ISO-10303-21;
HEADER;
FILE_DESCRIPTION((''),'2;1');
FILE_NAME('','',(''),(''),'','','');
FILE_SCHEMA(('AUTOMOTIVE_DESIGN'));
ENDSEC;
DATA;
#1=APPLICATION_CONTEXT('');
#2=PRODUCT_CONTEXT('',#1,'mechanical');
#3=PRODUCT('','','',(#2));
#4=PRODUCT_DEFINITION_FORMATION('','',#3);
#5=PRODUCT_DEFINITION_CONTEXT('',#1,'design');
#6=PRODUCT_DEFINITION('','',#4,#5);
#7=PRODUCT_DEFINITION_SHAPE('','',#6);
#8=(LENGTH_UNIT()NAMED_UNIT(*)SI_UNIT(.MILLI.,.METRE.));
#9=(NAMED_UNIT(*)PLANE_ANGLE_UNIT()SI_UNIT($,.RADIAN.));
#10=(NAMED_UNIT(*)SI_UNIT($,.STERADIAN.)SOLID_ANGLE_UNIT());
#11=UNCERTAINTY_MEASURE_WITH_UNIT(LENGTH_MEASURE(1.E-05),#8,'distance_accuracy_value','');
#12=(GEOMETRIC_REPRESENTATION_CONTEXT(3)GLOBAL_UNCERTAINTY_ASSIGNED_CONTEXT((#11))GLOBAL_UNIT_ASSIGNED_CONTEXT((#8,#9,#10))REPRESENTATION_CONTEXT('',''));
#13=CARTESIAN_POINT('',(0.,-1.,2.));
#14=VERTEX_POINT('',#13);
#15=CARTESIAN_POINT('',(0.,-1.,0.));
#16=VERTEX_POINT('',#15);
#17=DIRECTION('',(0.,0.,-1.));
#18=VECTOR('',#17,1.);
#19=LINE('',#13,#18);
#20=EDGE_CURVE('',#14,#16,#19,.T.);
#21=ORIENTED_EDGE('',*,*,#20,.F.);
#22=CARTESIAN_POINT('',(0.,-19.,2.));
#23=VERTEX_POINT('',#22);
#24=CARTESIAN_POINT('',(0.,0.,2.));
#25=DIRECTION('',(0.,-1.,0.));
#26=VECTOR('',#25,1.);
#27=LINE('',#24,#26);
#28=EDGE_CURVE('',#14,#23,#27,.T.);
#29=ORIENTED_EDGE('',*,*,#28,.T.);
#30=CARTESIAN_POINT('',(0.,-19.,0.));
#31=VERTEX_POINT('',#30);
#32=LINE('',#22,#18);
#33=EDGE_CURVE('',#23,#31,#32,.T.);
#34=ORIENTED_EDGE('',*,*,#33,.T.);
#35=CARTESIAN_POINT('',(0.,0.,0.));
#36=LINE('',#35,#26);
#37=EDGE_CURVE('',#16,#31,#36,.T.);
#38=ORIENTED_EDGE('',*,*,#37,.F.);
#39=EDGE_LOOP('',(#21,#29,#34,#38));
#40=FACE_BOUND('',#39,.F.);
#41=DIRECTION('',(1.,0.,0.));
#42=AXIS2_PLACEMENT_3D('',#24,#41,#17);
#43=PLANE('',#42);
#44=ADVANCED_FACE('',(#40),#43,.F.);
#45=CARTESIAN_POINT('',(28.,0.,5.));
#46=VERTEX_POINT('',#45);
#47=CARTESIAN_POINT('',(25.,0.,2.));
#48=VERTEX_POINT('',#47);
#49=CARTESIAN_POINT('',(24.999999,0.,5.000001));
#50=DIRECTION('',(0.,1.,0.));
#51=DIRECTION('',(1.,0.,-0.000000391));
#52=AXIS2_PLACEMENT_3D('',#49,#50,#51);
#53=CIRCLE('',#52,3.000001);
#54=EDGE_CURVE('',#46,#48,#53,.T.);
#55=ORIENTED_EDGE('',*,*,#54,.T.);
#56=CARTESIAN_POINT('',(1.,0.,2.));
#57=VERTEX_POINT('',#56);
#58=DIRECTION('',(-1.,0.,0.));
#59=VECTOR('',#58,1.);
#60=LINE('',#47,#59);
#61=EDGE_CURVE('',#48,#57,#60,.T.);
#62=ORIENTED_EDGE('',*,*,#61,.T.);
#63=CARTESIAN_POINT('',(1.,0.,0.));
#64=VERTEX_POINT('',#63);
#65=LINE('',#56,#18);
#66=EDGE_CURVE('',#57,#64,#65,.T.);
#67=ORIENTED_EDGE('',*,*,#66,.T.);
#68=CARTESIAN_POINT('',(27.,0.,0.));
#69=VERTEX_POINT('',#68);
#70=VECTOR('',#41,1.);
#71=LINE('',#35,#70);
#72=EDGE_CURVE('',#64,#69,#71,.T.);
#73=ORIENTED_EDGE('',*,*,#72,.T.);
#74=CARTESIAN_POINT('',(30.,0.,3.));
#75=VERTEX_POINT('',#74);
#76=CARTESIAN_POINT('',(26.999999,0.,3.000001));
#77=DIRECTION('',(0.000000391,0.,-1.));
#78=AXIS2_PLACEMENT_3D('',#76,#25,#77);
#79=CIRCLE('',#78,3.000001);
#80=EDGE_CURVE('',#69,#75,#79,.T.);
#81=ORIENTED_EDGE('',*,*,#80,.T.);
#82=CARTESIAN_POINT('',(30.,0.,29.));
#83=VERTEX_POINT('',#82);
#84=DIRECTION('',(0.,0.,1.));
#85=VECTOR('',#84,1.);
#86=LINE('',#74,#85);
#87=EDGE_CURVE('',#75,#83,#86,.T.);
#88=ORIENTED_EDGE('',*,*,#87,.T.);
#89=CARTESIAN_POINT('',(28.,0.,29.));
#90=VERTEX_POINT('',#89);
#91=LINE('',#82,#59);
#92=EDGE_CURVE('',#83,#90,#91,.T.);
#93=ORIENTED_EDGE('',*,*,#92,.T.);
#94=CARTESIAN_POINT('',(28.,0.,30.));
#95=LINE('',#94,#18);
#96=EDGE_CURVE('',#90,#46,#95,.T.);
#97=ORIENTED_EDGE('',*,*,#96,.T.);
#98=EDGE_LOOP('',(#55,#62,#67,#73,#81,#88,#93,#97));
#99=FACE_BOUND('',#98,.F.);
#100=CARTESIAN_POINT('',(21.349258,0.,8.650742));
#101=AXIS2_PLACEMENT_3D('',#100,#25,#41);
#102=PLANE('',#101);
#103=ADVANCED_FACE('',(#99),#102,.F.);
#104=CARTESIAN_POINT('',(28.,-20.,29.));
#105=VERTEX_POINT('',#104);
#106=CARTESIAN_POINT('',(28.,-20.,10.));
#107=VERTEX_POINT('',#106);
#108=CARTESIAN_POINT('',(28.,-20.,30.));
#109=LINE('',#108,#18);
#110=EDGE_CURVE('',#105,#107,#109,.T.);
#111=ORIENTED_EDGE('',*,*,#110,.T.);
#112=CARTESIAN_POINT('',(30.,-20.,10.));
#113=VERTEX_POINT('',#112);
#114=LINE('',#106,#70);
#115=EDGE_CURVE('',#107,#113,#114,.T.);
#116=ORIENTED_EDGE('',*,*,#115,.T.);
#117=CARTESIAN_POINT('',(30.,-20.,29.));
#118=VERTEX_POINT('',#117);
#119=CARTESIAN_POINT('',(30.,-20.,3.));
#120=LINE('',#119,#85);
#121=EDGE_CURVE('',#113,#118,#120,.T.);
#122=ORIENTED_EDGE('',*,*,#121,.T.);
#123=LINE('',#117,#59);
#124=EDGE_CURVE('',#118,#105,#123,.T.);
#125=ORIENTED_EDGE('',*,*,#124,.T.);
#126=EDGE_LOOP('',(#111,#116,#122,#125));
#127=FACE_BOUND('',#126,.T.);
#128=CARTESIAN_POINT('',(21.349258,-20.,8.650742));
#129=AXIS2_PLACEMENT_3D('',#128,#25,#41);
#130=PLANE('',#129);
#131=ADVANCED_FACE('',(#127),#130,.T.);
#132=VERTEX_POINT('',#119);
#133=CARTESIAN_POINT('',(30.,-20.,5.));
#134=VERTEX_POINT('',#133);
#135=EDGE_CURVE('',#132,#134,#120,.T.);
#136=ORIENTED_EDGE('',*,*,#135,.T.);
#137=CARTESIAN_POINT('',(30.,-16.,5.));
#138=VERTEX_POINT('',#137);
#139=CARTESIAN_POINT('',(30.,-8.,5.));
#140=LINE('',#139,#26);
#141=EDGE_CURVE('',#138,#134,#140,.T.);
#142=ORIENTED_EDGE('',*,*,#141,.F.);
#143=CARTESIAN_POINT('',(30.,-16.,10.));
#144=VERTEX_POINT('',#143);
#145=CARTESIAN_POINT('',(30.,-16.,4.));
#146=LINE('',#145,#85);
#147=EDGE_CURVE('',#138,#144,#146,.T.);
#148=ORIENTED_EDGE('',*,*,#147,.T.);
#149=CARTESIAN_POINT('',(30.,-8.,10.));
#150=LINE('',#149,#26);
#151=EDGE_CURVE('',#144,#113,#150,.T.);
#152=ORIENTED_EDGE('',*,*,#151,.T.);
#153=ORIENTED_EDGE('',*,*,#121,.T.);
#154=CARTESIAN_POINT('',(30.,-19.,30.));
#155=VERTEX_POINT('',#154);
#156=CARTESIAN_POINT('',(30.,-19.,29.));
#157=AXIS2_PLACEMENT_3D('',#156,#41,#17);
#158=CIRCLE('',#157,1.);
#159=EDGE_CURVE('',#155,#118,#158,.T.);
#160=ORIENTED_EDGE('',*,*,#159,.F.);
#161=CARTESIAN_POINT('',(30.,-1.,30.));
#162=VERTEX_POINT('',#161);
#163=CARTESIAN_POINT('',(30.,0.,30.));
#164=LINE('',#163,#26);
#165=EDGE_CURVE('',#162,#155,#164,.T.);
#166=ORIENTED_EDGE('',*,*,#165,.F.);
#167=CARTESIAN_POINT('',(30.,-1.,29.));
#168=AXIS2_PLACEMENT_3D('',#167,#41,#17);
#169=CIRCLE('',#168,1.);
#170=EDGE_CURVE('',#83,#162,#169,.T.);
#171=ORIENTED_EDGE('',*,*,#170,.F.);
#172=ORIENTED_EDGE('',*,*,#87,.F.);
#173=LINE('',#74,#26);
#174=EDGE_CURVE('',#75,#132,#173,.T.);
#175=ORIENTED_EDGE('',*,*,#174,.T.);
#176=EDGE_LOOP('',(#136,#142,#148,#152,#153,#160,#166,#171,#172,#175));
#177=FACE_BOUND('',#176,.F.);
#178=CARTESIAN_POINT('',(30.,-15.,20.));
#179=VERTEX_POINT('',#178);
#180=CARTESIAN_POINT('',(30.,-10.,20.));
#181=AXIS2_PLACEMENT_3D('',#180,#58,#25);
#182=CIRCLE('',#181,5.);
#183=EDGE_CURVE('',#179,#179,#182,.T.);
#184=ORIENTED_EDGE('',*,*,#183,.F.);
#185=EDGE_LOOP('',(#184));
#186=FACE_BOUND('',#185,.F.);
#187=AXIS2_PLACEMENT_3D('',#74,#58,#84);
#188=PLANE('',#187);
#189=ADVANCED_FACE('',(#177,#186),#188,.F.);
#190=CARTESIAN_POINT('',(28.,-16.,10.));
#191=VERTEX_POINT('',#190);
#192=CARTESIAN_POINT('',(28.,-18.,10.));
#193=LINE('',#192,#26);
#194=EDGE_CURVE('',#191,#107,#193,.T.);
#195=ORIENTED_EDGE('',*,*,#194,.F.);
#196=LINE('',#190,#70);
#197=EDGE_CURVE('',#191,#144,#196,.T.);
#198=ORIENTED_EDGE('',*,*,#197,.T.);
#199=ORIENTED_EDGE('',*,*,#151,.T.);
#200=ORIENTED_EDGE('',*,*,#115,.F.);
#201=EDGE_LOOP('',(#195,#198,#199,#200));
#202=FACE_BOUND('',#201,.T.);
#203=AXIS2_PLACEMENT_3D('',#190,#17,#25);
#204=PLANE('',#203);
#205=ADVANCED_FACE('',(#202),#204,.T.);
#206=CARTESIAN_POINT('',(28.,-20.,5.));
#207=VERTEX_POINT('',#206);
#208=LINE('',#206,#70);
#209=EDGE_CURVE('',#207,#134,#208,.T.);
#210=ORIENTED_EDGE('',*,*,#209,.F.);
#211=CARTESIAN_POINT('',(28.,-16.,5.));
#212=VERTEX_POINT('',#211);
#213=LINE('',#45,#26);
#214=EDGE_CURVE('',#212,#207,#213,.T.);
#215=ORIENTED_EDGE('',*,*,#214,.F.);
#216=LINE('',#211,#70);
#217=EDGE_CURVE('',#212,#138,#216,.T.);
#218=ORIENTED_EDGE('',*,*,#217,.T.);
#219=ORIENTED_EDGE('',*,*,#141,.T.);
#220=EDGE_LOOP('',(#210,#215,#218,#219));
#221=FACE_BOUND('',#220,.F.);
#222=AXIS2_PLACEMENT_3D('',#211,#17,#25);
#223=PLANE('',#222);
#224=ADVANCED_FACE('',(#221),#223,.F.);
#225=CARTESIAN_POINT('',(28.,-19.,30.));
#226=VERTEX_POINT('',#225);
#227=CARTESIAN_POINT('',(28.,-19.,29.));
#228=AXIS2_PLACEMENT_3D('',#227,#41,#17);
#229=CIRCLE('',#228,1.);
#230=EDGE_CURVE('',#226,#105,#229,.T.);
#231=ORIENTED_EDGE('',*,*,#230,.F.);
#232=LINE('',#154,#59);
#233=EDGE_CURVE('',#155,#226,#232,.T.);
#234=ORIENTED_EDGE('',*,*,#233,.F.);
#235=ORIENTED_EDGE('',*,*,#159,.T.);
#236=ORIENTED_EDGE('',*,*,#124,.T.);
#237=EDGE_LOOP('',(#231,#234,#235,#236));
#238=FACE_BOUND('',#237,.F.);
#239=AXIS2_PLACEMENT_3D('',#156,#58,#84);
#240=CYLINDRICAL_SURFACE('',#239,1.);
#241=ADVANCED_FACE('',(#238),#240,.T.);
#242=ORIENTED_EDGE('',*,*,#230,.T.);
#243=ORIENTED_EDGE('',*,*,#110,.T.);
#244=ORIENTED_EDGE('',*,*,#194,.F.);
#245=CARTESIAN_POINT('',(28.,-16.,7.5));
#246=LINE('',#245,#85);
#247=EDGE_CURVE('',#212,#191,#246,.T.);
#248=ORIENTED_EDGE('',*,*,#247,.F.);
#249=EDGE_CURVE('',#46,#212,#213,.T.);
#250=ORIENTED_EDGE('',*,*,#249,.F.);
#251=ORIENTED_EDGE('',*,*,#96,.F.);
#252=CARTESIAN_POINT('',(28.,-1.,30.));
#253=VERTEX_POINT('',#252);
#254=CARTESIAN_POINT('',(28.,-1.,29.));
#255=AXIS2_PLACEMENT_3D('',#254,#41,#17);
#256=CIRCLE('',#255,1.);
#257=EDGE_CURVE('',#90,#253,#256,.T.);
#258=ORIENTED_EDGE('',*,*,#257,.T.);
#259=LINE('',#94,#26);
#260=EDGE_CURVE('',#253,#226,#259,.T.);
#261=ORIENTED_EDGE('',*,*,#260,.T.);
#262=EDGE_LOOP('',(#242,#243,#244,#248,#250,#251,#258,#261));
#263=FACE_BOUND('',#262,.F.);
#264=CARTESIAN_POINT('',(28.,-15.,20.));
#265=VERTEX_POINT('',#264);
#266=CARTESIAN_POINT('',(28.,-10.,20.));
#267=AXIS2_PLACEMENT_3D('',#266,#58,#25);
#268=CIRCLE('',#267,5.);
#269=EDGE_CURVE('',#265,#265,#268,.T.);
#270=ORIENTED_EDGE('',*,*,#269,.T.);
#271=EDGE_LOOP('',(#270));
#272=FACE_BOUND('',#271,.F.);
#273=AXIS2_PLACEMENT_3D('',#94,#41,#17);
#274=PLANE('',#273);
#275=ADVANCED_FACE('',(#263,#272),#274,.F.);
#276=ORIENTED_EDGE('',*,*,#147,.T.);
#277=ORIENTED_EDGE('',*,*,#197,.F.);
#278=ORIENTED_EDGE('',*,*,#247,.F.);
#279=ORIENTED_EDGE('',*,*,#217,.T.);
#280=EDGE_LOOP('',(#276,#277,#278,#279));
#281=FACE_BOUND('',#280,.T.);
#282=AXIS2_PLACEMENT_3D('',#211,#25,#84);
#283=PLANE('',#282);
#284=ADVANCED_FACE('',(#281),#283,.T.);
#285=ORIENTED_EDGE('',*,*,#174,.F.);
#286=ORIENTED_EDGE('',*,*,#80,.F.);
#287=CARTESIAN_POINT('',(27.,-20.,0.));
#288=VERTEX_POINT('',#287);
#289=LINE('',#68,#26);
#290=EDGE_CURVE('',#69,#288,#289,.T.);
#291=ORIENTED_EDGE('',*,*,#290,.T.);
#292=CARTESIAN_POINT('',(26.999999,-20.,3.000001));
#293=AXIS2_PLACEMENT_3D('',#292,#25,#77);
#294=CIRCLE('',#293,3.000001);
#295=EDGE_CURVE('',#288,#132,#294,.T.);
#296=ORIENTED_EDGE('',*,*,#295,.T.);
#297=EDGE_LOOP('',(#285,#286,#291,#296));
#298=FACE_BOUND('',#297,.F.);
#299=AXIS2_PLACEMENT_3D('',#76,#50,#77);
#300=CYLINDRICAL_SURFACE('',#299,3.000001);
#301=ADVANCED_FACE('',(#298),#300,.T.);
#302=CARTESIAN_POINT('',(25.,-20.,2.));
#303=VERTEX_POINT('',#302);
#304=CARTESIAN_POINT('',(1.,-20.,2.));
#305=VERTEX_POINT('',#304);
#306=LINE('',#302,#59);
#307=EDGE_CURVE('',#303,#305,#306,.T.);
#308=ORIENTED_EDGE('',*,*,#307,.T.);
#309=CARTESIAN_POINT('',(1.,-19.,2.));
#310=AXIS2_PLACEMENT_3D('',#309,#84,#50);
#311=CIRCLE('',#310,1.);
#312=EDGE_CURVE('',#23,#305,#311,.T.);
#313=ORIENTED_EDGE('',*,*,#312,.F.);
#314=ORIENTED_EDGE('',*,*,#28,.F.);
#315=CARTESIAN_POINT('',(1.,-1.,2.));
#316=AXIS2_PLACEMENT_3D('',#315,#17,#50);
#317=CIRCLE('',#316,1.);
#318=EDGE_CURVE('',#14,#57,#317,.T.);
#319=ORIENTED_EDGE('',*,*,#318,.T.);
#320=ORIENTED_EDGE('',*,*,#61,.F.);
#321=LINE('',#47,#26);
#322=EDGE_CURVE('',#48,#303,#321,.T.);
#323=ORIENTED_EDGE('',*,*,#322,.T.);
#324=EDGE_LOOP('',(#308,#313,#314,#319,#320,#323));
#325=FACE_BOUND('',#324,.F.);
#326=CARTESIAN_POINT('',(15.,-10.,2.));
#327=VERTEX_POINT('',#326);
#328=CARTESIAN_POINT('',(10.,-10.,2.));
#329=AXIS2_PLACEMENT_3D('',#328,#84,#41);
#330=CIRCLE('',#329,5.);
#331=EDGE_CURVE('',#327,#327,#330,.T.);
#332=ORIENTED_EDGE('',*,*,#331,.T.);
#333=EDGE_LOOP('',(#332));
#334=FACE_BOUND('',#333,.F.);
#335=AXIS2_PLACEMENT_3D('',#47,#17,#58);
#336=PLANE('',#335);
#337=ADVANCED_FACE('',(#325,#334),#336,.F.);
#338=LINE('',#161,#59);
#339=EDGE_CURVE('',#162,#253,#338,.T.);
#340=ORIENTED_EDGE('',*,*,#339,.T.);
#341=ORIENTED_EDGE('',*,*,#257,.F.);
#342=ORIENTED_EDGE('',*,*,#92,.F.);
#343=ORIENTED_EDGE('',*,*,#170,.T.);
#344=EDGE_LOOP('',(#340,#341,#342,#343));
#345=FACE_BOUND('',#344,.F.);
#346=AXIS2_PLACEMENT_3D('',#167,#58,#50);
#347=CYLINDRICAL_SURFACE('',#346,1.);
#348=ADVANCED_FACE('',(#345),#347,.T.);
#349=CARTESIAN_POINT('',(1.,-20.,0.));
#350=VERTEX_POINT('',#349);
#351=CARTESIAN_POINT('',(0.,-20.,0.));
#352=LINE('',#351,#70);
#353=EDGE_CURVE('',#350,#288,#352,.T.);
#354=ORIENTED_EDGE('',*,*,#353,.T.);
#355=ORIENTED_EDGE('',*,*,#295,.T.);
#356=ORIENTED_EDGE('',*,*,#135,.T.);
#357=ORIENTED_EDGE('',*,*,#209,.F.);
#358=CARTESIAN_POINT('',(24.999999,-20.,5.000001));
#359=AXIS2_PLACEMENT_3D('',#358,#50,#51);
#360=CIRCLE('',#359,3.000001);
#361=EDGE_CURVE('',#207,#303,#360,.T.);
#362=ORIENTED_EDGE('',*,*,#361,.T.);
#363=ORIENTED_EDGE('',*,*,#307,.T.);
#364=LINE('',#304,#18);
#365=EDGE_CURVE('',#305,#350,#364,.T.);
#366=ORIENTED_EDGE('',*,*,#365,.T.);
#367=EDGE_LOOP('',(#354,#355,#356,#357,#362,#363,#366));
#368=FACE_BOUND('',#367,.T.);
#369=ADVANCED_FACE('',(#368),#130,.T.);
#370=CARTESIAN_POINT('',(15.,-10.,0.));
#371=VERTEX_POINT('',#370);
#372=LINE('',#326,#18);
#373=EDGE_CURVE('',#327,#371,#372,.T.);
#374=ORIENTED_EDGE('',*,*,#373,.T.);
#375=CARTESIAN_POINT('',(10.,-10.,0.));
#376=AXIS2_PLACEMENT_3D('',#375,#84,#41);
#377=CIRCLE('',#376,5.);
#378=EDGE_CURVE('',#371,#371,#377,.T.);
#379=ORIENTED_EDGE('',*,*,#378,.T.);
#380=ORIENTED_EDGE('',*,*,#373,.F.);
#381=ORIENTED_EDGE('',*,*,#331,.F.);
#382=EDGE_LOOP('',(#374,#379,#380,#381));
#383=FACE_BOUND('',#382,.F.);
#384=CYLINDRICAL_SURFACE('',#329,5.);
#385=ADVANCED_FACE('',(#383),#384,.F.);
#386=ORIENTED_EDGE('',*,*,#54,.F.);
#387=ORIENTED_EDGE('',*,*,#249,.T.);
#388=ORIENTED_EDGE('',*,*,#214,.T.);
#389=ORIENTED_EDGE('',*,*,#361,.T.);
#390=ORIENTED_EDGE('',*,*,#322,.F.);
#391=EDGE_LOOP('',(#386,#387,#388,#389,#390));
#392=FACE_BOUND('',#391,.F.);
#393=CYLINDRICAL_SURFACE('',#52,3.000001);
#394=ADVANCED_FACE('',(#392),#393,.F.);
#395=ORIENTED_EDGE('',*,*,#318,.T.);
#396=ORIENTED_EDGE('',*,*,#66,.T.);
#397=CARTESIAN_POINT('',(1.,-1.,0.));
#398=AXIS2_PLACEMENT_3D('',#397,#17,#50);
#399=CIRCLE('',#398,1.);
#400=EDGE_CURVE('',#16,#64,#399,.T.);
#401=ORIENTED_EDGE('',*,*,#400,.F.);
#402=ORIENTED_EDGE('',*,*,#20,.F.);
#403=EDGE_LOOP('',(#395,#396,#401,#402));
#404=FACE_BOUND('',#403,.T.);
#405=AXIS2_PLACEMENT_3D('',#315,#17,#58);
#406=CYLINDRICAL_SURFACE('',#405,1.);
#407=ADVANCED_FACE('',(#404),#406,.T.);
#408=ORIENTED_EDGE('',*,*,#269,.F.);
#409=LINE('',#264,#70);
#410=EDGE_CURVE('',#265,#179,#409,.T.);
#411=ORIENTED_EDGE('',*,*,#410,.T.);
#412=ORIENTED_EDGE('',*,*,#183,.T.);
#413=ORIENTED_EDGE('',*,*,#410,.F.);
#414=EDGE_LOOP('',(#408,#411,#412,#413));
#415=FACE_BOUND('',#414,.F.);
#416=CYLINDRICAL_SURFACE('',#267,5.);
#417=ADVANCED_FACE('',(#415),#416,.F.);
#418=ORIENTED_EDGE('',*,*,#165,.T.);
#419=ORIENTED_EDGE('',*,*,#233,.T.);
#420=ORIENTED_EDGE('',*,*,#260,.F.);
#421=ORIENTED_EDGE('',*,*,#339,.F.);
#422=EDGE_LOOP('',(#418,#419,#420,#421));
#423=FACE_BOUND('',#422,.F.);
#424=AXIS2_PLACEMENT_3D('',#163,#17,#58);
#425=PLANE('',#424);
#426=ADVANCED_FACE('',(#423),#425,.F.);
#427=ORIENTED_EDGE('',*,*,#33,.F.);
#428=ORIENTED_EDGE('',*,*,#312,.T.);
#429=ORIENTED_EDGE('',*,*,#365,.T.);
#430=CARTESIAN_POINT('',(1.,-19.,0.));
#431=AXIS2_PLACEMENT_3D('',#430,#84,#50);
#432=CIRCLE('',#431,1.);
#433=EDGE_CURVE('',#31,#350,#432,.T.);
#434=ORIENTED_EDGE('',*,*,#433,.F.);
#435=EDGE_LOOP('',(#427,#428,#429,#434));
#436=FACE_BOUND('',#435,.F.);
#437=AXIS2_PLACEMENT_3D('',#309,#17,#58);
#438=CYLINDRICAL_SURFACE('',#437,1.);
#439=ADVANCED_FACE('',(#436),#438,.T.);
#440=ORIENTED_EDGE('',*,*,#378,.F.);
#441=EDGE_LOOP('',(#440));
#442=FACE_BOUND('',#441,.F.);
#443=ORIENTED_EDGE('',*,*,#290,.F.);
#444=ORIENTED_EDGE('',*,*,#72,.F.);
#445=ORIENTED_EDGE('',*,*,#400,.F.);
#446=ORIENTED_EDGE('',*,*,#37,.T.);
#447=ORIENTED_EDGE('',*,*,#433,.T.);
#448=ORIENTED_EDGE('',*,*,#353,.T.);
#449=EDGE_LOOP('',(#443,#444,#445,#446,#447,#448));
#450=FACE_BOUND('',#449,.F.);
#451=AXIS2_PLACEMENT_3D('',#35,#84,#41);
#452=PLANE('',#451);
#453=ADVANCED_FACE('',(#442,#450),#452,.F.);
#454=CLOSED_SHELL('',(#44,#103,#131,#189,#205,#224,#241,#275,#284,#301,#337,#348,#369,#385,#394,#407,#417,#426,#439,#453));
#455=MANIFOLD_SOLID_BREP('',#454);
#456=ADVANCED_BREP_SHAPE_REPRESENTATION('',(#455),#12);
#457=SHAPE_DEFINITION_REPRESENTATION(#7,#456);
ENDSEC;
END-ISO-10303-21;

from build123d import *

# Parameters (mm, degrees)
F1_DEPTH = 20
F2_R     = 5
F3_DEPTH = 2.001
F4_R     = 5
F4_W     = 4
F4_H     = 5
F5_DEPTH = 2.001
F6_R     = 1


with BuildPart() as f1:
    # F0 (on Front) → F1 (new body)
    with BuildSketch(Plane.XZ):
        with BuildLine():
            Line((0, 2), (0, 0))
            Line((0, 0), (27, 0))
            ThreePointArc((27, 0), (29.12132, 0.87868), (30, 3))
            Line((30, 3), (30, 30))
            Line((30, 30), (28, 30))
            Line((28, 30), (28, 5))
            ThreePointArc((28, 5), (27.12132, 2.87868), (25, 2))
            Line((25, 2), (0, 2))
        make_face()
    extrude(amount=F1_DEPTH)

    # F2 (on face) → F3 (cut, through all)
    with BuildSketch(Plane.XY.offset(2)):
        with Locations((10, -10)):
            Circle(F2_R)
    extrude(amount=-F3_DEPTH, mode=Mode.SUBTRACT)

    # F4 (on face) → F5 (cut, through all)
    with BuildSketch(Plane(origin=(28, 0, 0), x_dir=(0, -1, 0), z_dir=(-1, 0, 0))):
        with Locations((10, 20)):
            Circle(F4_R)
        with Locations((18, 7.5)):
            Rectangle(F4_W, F4_H)
    extrude(amount=-F5_DEPTH, mode=Mode.SUBTRACT)

    # F6
    f6_edges = [f1.edges().sort_by_distance(p)[0] for p in [
        (0, -20, 1),
        (29, -20, 30),
        (29, 0, 30),
        (0, 0, 1),
    ]]
    fillet(f6_edges, radius=F6_R)


solid = f1.part
